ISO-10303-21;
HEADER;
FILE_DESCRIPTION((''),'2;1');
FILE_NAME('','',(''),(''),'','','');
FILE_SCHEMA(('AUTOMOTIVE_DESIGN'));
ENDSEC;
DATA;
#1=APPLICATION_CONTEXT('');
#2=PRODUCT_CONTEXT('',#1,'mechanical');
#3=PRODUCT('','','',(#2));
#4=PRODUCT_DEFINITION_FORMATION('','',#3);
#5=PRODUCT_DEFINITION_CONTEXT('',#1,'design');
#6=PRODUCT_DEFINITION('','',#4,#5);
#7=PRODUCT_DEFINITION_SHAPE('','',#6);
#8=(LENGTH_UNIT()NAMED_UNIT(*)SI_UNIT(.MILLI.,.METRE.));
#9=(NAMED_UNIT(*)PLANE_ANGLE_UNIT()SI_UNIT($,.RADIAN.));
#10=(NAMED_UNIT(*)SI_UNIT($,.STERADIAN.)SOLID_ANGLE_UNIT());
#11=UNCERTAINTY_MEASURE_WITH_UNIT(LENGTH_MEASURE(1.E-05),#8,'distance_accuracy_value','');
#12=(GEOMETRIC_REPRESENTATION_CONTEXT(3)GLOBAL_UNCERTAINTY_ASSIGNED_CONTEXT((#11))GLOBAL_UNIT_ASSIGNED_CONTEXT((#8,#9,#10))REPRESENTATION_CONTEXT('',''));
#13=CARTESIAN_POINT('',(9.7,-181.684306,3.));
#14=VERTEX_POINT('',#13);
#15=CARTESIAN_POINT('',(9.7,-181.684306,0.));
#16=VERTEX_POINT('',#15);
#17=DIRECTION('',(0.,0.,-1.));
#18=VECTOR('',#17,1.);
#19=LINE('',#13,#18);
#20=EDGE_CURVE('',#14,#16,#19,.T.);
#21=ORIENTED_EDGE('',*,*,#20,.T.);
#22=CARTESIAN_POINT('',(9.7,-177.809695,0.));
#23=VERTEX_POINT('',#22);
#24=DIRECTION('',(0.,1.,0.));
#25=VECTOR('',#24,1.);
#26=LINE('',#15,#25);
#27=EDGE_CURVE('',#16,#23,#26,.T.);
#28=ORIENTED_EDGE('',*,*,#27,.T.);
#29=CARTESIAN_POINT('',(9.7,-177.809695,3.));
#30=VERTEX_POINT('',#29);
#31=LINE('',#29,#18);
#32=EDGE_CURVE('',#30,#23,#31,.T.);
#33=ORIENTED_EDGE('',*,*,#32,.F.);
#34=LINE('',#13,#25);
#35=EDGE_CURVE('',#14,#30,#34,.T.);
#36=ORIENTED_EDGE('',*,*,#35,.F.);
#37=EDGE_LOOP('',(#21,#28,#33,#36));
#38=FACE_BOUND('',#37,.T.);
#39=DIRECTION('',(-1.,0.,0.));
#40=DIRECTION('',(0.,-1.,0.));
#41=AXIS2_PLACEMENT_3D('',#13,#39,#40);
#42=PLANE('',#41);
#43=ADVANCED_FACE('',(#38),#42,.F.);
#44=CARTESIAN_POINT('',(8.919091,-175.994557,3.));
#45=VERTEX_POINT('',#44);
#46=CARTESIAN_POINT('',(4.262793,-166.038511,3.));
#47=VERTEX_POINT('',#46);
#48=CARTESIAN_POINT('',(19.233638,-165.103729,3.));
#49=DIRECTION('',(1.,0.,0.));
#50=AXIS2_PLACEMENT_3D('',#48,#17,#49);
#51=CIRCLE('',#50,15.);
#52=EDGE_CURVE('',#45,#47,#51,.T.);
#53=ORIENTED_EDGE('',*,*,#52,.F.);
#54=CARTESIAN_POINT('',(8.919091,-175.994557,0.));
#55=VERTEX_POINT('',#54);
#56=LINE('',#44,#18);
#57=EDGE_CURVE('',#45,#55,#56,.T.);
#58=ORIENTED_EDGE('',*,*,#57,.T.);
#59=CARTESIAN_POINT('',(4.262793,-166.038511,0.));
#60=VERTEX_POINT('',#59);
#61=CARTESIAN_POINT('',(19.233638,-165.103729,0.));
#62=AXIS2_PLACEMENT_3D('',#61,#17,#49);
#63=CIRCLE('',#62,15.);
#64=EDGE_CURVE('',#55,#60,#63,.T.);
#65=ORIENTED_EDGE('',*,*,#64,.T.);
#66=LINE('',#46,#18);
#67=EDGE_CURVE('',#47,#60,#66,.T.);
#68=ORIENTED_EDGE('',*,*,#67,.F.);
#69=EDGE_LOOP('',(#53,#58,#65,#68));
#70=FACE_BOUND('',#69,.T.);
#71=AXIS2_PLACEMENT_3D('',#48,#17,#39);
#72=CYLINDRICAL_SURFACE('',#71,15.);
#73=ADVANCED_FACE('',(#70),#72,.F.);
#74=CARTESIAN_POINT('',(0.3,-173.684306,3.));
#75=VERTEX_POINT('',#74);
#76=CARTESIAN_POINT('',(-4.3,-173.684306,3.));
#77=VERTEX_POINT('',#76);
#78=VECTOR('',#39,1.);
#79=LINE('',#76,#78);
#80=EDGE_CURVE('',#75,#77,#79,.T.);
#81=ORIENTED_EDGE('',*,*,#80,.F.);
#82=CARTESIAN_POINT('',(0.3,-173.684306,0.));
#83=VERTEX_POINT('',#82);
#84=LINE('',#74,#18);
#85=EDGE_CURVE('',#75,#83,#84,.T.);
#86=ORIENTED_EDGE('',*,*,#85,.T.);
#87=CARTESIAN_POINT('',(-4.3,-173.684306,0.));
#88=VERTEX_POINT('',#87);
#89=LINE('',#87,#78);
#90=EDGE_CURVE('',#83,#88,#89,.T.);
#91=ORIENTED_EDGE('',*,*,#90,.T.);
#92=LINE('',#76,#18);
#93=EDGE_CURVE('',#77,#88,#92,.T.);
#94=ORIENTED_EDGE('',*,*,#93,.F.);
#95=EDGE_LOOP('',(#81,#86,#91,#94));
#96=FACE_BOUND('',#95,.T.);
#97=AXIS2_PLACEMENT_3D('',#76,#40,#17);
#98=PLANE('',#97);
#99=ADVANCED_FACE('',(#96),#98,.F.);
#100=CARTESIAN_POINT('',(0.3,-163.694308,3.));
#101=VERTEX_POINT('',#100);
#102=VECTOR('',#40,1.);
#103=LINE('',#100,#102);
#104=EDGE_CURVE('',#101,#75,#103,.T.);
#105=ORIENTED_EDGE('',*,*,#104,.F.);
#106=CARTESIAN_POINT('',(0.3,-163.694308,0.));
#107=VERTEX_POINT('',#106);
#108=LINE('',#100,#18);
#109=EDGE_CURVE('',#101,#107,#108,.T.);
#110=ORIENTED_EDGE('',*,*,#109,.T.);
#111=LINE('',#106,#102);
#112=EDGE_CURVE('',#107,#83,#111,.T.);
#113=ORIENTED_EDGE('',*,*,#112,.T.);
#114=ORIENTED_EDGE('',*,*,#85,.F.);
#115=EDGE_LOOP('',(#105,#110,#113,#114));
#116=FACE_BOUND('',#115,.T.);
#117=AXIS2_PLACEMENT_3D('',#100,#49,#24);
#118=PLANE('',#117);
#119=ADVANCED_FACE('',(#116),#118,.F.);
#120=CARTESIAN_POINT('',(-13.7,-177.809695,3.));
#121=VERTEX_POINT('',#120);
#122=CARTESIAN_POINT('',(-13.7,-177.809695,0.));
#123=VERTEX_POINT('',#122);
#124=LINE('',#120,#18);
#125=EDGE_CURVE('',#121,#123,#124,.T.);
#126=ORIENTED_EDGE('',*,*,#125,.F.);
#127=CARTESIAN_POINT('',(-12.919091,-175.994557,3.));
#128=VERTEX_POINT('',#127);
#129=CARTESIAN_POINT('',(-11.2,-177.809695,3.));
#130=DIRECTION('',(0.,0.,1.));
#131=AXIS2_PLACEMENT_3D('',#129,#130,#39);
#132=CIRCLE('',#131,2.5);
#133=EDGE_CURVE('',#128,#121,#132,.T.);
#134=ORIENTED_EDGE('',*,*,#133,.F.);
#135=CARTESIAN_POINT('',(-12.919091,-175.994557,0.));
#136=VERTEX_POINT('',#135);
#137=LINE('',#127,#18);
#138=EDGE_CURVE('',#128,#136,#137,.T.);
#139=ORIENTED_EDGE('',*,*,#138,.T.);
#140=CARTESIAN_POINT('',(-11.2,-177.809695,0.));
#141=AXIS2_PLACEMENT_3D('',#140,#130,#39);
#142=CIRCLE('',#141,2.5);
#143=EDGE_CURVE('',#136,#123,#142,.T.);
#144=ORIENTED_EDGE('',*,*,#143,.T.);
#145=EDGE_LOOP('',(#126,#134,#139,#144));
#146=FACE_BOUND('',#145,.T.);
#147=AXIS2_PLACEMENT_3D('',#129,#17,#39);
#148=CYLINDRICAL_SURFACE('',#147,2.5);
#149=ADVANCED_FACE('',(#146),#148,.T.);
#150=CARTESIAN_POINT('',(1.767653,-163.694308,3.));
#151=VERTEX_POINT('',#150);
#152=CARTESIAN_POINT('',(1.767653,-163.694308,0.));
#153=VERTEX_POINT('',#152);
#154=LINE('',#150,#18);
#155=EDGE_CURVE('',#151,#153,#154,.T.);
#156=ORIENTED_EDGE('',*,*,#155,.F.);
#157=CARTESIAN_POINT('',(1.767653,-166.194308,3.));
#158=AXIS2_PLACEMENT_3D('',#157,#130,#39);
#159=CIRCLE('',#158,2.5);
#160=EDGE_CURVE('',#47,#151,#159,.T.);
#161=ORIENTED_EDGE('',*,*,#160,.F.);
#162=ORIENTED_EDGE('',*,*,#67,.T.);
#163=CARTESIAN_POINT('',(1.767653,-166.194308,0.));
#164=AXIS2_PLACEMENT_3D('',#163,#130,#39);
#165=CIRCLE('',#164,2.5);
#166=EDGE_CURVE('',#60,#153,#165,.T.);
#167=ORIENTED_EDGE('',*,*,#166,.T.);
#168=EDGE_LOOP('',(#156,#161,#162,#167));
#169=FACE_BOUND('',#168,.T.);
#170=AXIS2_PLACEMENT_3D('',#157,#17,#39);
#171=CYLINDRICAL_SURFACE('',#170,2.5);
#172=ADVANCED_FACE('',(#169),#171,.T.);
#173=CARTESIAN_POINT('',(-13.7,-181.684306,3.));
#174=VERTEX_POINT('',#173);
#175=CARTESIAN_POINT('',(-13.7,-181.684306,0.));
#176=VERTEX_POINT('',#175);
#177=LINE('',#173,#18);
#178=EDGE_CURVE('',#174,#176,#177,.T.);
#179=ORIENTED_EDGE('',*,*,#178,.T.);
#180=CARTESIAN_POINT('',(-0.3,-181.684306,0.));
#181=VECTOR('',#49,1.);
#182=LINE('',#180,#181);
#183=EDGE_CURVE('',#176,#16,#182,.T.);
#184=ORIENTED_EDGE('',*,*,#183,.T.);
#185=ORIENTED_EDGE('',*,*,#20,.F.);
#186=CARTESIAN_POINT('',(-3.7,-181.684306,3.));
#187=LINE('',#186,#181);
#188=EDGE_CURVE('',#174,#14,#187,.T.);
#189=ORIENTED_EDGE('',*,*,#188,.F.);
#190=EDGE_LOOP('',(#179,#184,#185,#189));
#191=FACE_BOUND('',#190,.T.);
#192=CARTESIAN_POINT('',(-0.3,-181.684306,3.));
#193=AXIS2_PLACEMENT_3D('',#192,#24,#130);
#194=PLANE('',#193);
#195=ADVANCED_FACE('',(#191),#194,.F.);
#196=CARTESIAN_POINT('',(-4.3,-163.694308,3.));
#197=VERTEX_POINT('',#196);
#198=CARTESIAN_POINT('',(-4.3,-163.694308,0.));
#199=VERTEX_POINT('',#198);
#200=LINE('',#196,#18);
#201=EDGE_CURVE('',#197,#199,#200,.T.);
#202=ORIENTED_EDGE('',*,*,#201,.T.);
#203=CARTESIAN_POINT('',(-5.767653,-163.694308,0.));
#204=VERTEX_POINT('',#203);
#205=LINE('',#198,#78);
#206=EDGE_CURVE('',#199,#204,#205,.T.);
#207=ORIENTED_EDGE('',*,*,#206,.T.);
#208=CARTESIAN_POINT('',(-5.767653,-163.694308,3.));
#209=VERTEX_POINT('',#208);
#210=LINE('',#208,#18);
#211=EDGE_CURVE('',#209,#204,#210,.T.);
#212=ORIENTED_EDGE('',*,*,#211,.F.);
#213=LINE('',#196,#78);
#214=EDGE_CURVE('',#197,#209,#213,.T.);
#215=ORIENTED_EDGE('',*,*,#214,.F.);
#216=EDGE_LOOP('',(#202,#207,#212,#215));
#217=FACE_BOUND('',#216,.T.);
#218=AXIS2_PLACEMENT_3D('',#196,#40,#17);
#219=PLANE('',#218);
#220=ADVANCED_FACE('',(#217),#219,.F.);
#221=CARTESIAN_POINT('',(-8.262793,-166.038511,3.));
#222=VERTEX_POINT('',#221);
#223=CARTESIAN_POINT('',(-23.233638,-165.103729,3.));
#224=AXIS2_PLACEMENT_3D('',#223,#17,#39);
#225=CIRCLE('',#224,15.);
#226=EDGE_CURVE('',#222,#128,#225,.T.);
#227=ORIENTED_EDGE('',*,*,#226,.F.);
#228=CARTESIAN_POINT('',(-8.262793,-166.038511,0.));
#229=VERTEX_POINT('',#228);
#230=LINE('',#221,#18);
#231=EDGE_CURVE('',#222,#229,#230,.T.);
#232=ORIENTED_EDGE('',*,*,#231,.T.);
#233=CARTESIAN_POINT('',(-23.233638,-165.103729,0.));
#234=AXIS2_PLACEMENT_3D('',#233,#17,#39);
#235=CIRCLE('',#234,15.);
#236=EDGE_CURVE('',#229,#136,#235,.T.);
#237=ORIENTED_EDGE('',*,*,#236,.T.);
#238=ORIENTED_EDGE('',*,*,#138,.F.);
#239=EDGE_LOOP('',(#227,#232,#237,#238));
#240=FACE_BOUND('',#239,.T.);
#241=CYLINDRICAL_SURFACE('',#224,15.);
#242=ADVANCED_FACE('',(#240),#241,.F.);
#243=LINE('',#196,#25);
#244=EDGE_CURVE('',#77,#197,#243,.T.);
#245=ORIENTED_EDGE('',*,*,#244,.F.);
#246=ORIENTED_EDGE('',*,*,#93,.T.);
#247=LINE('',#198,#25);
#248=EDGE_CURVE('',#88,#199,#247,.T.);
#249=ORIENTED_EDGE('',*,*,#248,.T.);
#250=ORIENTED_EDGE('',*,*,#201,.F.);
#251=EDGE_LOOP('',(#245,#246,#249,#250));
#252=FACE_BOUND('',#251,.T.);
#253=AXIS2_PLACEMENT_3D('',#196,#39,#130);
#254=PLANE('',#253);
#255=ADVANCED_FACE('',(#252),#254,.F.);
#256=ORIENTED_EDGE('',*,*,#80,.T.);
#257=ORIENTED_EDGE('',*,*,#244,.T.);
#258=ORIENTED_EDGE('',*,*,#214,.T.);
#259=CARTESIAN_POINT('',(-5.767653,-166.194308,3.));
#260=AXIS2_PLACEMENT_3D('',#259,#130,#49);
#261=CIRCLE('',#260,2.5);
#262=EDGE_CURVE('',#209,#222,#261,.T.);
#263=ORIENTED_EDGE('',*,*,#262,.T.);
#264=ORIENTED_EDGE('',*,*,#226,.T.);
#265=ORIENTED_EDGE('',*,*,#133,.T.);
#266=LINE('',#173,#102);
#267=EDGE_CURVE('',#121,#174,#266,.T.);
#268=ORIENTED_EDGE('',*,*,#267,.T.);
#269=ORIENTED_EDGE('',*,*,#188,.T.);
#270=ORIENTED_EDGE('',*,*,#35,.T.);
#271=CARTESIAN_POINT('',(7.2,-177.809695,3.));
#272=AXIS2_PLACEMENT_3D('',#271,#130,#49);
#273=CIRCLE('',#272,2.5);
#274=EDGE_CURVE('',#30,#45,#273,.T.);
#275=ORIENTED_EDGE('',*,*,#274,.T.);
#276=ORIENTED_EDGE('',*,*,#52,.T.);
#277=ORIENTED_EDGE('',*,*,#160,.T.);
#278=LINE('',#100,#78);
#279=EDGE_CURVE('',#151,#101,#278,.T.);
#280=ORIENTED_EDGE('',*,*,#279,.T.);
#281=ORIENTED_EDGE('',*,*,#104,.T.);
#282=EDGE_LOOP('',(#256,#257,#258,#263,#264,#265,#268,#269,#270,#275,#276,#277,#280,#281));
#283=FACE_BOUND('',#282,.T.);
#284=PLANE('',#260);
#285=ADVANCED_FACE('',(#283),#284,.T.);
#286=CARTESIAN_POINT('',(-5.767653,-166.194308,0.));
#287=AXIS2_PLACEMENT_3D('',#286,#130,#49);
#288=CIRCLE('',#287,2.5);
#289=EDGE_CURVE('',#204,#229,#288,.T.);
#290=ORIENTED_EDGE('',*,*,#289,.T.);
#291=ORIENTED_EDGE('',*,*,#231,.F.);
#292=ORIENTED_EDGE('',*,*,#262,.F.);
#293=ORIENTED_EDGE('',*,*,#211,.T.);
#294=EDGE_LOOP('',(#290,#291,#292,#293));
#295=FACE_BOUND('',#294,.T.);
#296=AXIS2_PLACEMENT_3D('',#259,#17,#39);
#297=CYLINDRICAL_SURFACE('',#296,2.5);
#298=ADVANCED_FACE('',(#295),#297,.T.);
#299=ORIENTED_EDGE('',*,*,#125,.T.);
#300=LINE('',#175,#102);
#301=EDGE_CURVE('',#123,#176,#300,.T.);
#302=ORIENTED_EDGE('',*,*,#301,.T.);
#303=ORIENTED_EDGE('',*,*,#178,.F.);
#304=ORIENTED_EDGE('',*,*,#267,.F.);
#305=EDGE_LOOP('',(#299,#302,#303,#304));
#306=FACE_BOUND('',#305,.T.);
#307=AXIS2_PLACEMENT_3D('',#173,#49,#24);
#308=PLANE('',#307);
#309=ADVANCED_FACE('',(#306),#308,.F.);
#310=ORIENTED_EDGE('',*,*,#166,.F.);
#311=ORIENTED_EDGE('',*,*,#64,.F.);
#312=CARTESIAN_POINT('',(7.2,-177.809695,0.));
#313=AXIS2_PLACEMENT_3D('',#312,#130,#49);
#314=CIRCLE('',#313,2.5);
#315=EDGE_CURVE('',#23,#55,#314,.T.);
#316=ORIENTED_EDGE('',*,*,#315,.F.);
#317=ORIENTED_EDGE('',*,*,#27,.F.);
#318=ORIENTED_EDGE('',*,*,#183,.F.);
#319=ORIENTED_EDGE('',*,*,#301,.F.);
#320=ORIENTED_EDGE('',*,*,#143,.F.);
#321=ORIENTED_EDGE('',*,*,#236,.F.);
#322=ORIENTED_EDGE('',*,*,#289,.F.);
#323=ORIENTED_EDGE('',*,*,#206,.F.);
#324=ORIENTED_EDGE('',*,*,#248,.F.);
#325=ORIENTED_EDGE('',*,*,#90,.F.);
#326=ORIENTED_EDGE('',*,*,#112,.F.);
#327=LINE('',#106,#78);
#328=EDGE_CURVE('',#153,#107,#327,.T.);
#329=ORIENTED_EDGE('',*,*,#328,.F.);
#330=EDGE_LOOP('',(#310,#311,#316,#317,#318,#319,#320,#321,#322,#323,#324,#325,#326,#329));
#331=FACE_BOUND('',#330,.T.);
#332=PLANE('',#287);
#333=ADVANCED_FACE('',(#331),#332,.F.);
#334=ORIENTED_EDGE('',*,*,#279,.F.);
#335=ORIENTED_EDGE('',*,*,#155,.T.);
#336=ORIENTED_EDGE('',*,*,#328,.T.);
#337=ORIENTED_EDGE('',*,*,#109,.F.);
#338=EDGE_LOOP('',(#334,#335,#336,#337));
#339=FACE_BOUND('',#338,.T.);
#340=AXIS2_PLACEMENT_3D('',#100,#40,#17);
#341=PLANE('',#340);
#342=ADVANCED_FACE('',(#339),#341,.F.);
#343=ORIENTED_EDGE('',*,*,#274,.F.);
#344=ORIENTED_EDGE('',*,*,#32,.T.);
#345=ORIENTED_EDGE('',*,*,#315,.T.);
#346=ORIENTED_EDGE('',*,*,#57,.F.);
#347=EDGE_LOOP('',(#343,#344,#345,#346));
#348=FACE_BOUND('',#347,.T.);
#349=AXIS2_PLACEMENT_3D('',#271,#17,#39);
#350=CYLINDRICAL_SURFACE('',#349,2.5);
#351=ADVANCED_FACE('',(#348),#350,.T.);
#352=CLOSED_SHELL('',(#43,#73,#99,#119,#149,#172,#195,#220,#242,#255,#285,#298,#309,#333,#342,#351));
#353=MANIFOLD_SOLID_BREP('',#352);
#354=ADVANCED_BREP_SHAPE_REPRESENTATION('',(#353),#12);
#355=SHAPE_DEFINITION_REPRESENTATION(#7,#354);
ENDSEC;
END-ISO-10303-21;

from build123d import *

# Parameters (mm, degrees)
BOSS_EXTRUDE1_DEPTH = 3


with BuildPart() as part:
    # Sketch1 → Boss-Extrude1 (new body)
    with BuildSketch(Plane.XY):
        with BuildLine():
            Line((-4.3, -163.694308418), (-4.3, -173.684305639))
            Line((-4.3, -173.684305639), (0.3, -173.684305639))
            Line((0.3, -173.684305639), (0.3, -163.694308418))
            Line((0.3, -163.694308418), (1.767652512, -163.694308418))
            ThreePointArc((1.767652512, -163.694308418), (3.479450891, -164.372291319), (4.262793246, -166.038511371))
            ThreePointArc((4.262793246, -166.038511371), (5.64620009, -171.458376258), (8.919091092, -175.994556853))
            ThreePointArc((8.919091092, -175.994556853), (9.496489466, -176.821698794), (9.7, -177.809694813))
            Line((9.7, -177.809694813), (9.7, -181.684305639))
            Line((9.7, -181.684305639), (-0.3, -181.684305639))
            Line((-0.3, -181.684305639), (-3.7, -181.684305639))
            Line((-3.7, -181.684305639), (-13.7, -181.684305639))
            Line((-13.7, -181.684305639), (-13.7, -177.809694813))
            ThreePointArc((-13.7, -177.809694813), (-13.496489466, -176.821698794), (-12.919091092, -175.994556853))
            ThreePointArc((-12.919091092, -175.994556853), (-9.64620009, -171.458376258), (-8.262793246, -166.038511371))
            ThreePointArc((-8.262793246, -166.038511371), (-7.479450891, -164.372291319), (-5.767652512, -163.694308418))
            Line((-5.767652512, -163.694308418), (-4.3, -163.694308418))
        make_face()
    extrude(amount=BOSS_EXTRUDE1_DEPTH)


solid = part.part
